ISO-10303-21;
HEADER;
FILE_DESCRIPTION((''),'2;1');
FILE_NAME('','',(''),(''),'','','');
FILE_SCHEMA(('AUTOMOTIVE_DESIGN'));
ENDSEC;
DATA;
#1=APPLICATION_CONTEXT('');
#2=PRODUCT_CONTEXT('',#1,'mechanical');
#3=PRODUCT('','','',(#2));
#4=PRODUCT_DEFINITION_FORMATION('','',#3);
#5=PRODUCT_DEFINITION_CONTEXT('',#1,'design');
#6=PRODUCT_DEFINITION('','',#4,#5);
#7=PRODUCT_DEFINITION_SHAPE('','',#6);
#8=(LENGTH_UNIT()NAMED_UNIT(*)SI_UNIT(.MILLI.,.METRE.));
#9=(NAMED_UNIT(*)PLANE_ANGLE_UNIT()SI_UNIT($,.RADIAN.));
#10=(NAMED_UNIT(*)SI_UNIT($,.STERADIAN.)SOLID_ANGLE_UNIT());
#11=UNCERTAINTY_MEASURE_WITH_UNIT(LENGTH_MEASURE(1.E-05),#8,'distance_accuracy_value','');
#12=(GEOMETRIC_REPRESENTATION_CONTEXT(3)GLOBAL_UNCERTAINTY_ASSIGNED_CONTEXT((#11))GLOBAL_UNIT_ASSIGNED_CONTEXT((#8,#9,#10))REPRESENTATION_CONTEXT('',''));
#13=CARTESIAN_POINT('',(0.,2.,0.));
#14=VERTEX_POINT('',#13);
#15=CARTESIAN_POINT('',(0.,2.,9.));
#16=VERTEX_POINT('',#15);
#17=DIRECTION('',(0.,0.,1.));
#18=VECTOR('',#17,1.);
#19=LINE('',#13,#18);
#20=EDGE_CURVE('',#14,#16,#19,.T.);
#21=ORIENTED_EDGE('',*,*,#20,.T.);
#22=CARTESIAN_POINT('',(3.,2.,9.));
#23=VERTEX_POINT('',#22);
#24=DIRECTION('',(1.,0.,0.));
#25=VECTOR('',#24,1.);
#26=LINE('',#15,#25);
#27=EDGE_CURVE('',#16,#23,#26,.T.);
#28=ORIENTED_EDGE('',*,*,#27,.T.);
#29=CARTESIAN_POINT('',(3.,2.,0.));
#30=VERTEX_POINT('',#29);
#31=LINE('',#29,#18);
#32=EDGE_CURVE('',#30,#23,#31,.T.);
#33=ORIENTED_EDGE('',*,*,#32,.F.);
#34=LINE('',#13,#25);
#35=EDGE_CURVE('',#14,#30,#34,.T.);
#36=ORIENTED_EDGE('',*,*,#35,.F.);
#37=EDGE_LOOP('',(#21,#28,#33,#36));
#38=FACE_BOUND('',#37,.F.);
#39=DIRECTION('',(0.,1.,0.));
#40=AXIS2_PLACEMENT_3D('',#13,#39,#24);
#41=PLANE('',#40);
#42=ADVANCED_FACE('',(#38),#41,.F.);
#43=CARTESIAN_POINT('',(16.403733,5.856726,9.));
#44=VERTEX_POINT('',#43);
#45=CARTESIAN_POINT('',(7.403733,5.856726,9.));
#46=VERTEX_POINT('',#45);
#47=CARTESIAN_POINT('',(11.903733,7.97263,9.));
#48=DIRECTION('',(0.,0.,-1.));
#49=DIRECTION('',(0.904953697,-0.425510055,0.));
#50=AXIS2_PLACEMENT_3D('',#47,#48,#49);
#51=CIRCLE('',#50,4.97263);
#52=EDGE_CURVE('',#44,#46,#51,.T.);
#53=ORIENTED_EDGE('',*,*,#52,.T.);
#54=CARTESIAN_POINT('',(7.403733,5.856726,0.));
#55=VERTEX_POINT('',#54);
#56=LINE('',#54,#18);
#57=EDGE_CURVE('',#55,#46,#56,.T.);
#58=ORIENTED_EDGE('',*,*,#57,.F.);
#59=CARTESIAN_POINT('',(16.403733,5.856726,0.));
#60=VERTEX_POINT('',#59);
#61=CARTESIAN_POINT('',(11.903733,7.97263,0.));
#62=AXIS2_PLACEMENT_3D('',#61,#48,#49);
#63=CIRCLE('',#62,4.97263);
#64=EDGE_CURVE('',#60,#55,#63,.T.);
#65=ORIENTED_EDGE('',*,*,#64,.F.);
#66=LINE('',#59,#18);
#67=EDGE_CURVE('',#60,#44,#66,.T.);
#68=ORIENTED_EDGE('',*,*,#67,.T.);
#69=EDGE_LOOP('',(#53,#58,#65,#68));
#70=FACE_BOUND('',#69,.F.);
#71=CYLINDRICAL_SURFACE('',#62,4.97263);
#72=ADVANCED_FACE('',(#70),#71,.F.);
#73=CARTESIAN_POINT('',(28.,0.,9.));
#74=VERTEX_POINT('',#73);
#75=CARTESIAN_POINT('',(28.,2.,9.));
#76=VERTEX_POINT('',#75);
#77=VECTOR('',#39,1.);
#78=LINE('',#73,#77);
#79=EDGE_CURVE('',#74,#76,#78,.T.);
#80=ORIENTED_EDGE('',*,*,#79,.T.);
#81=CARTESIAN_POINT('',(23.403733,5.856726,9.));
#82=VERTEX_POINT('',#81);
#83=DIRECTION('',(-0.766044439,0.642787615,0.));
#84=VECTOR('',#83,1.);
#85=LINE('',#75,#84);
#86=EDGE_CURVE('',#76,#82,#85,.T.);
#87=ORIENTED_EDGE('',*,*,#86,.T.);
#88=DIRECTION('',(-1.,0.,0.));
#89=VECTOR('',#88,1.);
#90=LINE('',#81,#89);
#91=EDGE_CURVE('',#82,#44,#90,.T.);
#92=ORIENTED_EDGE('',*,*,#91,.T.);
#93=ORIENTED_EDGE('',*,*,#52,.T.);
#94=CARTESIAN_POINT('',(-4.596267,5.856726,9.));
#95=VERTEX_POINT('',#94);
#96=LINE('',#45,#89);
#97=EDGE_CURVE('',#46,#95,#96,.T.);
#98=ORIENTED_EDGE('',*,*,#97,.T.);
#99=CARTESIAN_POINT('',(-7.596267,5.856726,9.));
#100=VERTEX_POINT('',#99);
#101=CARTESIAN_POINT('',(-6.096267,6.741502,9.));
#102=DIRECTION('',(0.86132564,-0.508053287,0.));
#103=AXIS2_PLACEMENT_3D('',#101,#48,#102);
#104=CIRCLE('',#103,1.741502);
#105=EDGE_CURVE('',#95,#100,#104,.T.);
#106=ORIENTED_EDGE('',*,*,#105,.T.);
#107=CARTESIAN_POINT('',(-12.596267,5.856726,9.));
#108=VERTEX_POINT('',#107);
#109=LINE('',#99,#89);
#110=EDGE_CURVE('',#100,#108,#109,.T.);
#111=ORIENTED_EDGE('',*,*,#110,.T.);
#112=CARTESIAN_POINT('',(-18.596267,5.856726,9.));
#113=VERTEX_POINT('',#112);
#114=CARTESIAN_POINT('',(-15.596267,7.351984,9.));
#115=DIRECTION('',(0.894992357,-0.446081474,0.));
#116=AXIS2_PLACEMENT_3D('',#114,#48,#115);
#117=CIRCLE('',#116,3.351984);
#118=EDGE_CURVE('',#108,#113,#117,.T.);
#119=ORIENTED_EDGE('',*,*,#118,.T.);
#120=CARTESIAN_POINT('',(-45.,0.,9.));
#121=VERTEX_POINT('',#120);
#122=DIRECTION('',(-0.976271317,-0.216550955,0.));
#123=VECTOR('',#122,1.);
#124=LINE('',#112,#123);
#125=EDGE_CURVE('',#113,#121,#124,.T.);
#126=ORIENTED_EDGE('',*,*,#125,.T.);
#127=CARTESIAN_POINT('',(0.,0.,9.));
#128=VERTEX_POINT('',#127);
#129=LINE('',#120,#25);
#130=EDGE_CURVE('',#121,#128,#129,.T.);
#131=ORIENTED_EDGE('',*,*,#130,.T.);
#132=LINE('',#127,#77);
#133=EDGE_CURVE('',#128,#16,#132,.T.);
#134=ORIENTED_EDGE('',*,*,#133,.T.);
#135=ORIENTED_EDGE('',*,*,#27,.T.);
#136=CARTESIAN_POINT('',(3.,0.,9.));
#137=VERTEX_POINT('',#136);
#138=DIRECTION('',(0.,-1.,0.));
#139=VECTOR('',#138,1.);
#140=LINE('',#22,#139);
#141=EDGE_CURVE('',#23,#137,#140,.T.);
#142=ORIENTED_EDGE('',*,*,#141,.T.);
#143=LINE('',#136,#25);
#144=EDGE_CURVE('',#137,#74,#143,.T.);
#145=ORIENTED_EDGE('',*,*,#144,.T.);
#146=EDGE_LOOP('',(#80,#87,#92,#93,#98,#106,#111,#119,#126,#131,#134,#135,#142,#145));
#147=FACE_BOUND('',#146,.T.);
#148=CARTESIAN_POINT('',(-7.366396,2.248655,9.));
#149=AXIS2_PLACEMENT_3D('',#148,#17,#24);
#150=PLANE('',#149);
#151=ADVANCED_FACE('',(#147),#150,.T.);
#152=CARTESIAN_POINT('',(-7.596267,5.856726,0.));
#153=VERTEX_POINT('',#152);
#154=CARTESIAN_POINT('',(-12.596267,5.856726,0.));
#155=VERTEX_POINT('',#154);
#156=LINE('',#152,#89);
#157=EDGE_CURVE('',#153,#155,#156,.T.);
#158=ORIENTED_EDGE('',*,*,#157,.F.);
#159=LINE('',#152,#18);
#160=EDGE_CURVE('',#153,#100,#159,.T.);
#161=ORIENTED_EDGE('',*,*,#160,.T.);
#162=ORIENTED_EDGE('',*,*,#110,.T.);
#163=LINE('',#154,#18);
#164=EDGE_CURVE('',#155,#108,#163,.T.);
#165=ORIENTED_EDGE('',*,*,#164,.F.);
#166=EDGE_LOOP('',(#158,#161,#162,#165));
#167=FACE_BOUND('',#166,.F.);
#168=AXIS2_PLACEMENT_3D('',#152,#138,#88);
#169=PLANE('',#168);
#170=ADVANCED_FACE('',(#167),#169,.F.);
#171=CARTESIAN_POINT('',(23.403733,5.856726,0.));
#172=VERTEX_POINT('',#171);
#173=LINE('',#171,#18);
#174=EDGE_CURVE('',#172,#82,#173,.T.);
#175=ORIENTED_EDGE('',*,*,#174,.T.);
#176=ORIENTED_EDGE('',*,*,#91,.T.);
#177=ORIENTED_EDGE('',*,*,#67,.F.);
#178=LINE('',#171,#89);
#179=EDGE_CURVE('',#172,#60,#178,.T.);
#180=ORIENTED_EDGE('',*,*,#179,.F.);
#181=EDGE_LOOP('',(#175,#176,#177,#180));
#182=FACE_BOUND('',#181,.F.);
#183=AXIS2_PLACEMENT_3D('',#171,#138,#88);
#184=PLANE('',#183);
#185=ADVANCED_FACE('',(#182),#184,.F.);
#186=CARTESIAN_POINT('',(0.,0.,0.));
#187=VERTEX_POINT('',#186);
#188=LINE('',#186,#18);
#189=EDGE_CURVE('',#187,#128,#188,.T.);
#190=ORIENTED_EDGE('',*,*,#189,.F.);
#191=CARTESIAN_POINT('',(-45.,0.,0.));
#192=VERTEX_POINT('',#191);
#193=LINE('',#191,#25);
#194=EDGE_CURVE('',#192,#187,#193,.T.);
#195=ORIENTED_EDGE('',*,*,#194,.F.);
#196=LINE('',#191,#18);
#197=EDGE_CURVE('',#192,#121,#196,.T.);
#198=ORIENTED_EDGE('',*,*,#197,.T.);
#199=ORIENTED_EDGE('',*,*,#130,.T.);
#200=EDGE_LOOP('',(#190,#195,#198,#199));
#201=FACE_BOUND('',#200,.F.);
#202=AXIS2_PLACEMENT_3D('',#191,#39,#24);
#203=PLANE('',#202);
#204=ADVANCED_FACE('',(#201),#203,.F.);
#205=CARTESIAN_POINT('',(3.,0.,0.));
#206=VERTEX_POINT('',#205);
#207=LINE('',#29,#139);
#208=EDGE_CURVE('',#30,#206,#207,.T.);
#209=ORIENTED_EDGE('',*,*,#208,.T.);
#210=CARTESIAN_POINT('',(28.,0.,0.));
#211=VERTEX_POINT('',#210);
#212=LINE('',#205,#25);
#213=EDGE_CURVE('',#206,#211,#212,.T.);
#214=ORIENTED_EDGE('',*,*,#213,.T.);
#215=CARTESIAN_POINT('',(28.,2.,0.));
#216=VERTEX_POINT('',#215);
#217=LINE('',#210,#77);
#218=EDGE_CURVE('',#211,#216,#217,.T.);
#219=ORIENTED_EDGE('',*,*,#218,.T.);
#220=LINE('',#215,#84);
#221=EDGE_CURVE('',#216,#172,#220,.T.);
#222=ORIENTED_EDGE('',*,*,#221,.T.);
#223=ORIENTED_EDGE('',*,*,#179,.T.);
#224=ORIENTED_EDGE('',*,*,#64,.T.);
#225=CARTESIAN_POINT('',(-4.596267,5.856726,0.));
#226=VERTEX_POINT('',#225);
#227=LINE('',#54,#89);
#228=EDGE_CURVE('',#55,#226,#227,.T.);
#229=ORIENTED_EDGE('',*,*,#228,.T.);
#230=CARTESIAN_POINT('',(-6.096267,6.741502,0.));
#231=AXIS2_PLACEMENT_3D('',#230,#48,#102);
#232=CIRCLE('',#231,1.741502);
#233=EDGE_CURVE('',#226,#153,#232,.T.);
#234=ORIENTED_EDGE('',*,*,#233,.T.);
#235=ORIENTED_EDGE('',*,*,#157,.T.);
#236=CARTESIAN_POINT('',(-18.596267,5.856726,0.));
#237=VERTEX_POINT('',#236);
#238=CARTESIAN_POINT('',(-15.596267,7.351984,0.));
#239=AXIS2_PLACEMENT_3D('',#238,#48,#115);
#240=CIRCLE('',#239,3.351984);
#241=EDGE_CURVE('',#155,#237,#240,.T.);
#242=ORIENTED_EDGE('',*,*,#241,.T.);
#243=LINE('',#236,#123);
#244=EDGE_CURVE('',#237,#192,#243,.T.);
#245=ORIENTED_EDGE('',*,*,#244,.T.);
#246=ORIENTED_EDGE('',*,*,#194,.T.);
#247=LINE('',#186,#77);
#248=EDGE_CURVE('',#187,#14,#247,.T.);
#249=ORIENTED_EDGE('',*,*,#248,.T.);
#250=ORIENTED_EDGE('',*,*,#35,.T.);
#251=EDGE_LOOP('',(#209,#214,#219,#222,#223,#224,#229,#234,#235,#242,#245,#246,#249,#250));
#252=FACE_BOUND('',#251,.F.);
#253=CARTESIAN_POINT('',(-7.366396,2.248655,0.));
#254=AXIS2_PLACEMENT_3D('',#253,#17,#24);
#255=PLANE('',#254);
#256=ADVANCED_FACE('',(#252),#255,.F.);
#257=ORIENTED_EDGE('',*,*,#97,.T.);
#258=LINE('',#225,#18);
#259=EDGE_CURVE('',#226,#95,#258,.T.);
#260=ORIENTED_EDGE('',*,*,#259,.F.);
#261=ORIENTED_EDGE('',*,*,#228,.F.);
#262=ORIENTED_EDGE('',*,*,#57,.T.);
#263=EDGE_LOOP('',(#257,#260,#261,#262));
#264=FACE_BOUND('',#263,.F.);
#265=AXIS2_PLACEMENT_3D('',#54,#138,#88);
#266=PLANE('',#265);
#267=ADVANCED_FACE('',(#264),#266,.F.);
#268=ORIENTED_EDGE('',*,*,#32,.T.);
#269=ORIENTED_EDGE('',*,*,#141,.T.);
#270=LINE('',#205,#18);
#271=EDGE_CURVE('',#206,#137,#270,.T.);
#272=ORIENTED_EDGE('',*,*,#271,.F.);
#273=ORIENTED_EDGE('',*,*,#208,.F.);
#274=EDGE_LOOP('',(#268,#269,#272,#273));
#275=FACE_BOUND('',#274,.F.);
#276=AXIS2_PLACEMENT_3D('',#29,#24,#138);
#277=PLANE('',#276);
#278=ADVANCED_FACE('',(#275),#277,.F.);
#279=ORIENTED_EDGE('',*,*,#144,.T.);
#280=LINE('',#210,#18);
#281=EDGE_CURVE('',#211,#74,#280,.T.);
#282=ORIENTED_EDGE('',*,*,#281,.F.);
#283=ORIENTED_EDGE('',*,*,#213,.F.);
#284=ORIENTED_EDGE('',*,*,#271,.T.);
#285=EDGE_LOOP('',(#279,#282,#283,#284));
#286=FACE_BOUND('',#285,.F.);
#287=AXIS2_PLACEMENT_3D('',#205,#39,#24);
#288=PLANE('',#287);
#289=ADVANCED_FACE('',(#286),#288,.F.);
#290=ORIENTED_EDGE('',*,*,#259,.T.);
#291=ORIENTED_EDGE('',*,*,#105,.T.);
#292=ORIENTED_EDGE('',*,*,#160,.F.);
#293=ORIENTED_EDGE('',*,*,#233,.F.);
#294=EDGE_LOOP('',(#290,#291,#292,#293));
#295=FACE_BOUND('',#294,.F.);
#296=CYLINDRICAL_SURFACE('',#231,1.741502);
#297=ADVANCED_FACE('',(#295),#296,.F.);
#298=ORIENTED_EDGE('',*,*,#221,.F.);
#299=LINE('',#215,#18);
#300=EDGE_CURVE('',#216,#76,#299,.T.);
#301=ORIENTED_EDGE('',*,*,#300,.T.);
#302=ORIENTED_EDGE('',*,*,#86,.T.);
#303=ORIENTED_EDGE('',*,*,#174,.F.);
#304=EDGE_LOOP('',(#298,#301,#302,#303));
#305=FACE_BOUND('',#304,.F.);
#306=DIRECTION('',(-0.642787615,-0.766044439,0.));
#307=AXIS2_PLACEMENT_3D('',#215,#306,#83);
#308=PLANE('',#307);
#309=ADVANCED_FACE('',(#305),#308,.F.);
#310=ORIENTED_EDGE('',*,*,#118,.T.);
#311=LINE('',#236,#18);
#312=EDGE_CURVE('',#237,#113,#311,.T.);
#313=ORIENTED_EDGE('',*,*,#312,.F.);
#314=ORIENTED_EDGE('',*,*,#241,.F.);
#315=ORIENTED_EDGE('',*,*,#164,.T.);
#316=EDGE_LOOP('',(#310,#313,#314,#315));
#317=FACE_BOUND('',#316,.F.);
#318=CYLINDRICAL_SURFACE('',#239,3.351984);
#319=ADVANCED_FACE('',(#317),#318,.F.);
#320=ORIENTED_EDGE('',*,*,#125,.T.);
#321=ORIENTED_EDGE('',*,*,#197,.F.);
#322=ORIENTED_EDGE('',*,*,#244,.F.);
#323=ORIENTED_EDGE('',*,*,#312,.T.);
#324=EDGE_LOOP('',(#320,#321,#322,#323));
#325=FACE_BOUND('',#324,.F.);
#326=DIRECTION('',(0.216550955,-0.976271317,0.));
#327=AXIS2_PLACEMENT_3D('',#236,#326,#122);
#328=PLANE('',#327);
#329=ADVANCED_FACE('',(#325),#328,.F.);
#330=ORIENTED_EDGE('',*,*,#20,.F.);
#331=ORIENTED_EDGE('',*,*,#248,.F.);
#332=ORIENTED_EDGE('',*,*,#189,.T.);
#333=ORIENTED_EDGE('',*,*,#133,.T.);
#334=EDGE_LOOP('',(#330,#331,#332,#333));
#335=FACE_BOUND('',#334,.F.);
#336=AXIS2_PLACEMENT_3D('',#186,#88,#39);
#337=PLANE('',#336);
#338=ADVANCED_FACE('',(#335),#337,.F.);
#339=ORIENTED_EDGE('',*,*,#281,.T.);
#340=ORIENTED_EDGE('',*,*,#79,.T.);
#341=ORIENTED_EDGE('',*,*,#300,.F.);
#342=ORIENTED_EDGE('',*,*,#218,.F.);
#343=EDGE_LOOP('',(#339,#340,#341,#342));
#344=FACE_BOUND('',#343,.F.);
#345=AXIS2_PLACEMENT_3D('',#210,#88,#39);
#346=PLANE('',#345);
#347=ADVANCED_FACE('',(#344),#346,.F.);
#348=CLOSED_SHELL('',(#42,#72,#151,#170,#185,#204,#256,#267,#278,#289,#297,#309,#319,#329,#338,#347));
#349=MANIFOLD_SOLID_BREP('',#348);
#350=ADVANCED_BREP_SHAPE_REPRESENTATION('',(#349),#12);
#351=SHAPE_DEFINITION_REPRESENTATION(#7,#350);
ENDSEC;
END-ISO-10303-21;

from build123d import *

# Parameters (mm, degrees)
F1_DEPTH = 9


with BuildPart() as f1:
    # F0 (on Top) → F1 (new body)
    with BuildSketch(Plane.XY):
        with BuildLine():
            Line((-45, 0), (0, 0))
            Line((0, 0), (0, 2))
            Line((0, 2), (3, 2))
            Line((3, 2), (3, 0))
            Line((3, 0), (28, 0))
            Line((28, 0), (28, 2))
            Line((28, 2), (23.403733, 5.856726))
            Line((23.403733, 5.856726), (16.403733, 5.856726))
            ThreePointArc((16.403733, 5.856726), (11.903733, 3), (7.403733, 5.856726))
            Line((7.403733, 5.856726), (-4.596267, 5.856726))
            ThreePointArc((-4.596267, 5.856726), (-6.096267, 5), (-7.596267, 5.856726))
            Line((-7.596267, 5.856726), (-12.596267, 5.856726))
            ThreePointArc((-12.596267, 5.856726), (-15.596267, 4), (-18.596267, 5.856726))
            Line((-18.596267, 5.856726), (-45, 0))
        make_face()
    extrude(amount=F1_DEPTH)


solid = f1.part
